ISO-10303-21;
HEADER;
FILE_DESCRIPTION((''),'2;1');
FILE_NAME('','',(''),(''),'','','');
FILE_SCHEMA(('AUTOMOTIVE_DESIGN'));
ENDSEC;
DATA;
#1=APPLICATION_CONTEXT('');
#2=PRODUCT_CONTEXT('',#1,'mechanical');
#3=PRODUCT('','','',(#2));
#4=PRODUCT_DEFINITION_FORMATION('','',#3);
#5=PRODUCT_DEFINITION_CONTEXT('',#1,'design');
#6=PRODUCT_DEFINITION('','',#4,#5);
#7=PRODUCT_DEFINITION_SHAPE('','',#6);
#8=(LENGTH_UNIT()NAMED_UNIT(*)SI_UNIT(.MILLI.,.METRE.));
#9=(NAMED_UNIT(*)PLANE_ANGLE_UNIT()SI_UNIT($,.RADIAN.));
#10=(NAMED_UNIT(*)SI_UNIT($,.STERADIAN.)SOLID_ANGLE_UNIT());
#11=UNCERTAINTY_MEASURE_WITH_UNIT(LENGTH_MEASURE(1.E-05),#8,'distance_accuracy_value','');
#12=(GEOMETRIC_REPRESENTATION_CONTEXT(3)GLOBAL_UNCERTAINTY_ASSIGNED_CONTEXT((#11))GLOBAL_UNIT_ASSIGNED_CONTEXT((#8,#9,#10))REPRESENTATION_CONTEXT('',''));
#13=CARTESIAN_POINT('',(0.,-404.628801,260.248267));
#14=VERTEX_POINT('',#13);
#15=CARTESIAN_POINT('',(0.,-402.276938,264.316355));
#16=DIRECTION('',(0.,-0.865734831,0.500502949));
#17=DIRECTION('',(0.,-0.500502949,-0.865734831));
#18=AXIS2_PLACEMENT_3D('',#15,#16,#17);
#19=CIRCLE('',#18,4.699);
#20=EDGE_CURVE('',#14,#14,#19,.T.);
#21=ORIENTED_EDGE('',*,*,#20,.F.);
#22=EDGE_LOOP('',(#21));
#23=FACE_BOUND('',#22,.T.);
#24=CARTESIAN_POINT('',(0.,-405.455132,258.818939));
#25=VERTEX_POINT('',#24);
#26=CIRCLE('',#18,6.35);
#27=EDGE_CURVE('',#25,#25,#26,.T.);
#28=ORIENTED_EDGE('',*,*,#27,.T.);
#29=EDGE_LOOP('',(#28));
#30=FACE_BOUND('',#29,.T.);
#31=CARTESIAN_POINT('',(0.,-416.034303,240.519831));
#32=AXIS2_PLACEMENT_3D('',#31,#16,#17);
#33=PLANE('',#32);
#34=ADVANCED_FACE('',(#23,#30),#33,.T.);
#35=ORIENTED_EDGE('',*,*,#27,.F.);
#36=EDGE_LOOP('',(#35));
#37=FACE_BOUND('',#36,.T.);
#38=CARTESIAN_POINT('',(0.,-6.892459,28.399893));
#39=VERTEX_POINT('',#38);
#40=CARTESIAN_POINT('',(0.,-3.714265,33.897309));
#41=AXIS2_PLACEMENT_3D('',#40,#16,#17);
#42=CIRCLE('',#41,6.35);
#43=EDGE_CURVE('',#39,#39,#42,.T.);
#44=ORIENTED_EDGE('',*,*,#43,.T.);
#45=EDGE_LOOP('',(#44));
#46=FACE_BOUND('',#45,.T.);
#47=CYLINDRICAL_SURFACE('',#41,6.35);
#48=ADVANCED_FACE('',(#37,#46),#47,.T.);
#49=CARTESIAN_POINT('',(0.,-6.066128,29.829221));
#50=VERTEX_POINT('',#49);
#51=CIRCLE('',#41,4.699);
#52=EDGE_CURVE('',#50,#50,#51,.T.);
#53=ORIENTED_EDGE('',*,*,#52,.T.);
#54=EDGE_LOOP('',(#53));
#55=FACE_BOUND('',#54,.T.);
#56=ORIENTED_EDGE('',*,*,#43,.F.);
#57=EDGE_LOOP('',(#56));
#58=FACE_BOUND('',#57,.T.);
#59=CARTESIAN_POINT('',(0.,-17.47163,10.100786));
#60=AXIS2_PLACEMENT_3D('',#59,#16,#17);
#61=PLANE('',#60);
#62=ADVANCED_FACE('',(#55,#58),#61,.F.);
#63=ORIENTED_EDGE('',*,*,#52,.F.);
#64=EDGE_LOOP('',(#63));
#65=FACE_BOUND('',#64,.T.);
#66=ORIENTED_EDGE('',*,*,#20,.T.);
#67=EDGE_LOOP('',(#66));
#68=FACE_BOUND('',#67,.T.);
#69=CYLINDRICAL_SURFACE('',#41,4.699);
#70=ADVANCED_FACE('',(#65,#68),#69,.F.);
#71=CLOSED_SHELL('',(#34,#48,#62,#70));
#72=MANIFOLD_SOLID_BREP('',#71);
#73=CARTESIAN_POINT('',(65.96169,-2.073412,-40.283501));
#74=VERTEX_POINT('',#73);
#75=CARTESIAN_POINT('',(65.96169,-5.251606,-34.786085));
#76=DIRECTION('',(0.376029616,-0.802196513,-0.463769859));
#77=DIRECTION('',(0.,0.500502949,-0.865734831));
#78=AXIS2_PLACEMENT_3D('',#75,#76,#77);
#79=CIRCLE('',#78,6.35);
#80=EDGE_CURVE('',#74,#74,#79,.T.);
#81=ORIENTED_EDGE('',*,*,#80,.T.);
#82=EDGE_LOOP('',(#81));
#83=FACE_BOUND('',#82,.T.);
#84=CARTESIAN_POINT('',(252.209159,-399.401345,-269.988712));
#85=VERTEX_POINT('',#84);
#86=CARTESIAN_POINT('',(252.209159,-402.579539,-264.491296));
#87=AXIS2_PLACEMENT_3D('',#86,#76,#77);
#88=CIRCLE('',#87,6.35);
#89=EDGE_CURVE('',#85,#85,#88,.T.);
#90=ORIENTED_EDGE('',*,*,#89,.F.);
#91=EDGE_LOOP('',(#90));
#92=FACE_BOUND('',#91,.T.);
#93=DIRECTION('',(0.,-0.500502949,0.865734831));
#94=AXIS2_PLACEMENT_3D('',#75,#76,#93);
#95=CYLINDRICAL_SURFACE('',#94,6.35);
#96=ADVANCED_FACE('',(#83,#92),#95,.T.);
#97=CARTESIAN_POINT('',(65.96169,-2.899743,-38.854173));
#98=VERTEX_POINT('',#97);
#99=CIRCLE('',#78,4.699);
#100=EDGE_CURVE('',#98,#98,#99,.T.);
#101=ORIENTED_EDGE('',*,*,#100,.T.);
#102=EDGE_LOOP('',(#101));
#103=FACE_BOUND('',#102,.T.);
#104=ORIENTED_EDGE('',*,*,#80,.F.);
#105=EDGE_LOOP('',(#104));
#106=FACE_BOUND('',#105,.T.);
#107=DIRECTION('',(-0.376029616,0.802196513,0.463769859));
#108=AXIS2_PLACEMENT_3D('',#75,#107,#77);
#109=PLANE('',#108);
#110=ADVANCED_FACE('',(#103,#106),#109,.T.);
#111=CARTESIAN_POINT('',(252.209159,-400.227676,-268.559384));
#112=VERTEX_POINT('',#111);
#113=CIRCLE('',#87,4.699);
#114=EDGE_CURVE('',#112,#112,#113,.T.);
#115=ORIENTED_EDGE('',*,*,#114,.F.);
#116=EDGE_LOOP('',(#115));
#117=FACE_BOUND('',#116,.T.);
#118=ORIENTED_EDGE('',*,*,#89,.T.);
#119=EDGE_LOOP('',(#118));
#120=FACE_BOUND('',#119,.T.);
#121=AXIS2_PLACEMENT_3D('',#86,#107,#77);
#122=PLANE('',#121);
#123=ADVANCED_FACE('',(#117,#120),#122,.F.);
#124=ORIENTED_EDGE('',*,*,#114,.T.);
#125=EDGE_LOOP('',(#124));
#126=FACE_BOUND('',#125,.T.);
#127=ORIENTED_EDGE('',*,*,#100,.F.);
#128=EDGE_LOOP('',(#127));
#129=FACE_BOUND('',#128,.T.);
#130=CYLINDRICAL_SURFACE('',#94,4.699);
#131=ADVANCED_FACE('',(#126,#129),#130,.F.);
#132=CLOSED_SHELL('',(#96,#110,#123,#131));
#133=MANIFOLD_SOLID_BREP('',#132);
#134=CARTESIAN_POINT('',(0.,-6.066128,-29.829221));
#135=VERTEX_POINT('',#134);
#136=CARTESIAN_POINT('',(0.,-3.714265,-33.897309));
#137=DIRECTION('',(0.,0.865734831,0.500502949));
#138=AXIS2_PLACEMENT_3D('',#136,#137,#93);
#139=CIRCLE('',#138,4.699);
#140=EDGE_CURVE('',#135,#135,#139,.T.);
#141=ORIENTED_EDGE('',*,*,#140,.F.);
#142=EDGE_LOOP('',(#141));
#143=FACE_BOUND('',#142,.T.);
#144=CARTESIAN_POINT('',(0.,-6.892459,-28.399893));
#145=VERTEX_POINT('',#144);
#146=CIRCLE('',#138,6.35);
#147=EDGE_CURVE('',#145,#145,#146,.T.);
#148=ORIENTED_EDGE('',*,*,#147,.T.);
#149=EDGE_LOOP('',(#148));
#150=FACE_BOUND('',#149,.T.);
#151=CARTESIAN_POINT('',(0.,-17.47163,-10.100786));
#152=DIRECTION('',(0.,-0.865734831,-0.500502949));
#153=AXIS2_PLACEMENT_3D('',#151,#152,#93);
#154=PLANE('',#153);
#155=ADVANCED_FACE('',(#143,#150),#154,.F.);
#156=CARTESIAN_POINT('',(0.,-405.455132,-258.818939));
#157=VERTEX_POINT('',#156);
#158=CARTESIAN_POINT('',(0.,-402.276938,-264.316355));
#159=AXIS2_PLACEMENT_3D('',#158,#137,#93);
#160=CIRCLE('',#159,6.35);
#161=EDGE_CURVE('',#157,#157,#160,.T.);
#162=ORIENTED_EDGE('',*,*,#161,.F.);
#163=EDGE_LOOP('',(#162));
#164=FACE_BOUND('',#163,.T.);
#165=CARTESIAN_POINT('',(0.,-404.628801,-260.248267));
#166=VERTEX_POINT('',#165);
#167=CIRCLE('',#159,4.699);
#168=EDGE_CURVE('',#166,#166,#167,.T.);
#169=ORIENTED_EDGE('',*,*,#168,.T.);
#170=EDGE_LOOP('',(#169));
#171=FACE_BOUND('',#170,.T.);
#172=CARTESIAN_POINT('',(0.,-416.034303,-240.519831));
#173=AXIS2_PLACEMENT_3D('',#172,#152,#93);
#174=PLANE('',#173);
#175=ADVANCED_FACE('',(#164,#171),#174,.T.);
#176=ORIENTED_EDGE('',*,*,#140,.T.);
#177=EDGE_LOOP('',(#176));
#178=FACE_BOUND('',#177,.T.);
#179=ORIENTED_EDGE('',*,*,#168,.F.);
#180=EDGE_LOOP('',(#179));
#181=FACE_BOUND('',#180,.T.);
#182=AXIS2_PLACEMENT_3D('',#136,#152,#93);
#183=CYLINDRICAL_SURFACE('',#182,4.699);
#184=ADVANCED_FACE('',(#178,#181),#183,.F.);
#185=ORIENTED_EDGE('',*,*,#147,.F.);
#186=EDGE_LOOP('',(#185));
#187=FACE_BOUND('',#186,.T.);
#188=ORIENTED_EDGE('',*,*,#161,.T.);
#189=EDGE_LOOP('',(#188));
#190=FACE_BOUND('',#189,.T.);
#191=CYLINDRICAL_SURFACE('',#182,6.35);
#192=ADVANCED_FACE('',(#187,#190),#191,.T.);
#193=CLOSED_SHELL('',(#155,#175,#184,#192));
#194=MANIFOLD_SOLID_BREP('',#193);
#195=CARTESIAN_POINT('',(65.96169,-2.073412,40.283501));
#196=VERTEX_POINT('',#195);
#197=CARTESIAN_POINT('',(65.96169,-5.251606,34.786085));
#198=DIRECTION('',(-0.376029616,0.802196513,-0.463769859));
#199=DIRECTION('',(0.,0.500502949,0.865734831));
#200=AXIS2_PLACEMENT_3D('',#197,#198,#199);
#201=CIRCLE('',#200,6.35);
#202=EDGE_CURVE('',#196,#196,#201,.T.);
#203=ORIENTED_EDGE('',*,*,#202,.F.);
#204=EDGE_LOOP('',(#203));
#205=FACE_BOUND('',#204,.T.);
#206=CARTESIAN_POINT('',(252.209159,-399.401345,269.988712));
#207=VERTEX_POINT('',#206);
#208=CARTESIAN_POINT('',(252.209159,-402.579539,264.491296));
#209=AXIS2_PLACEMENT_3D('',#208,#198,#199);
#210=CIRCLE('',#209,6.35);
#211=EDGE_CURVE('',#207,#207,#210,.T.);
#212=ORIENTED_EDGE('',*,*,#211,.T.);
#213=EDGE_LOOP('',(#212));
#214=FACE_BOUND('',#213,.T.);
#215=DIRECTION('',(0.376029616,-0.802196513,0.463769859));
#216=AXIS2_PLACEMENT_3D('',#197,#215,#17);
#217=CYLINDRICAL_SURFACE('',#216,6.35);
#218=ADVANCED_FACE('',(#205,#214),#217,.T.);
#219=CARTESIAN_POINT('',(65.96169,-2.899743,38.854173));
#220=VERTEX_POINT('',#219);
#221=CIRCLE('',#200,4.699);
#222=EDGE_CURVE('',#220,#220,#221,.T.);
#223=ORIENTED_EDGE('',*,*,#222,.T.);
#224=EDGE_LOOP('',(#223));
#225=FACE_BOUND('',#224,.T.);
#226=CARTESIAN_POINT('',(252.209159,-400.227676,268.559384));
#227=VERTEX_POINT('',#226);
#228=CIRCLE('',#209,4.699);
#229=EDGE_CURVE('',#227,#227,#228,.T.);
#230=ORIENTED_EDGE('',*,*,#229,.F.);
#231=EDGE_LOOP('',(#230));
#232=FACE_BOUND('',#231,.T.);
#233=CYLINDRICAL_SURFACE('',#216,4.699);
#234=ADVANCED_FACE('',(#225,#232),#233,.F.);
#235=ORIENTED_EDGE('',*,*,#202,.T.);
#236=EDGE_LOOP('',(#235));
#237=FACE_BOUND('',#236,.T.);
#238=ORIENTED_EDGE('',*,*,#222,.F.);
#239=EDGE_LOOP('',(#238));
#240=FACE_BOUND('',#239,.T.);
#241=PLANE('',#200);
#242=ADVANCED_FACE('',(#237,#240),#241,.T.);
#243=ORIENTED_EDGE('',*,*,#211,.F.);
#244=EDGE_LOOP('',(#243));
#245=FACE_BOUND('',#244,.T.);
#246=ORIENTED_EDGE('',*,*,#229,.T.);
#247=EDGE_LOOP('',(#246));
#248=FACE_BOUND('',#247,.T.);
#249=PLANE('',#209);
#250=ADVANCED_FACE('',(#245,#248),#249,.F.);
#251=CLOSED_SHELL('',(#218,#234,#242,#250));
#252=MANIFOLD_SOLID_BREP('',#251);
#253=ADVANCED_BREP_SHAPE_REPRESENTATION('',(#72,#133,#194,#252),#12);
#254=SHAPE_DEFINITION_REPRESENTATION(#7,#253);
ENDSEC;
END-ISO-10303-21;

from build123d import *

# Parameters (mm, degrees)
BOSS_EXTRUDE1_START = -4.7625
SKETCH4_R           = 6.35
SKETCH4_R_2         = 4.699
BOSS_EXTRUDE1_DEPTH = 460.375
BOSS_EXTRUDE2_START = 4.7625
SKETCH5_R           = 6.35
SKETCH5_R_2         = 4.699
BOSS_EXTRUDE2_DEPTH = 495.3


with BuildPart() as part:
    # Sketch4 → Boss-Extrude1 (new body)
    with BuildSketch(Plane(origin=(0, -406.4, 266.7), x_dir=(-1, 0, 0), z_dir=(0, -0.865734831, 0.500502949)).offset(BOSS_EXTRUDE1_START)):
        Circle(SKETCH4_R)
        Circle(SKETCH4_R_2, mode=Mode.SUBTRACT)
    extrude(amount=-BOSS_EXTRUDE1_DEPTH)


with BuildPart() as body_2:
    # Sketch5 → Boss-Extrude2 (new body)
    with BuildSketch(Plane(origin=(254, -406.4, 266.7), x_dir=(0.926607645, 0.325541936, -0.188203932), z_dir=(-0.376029616, 0.802196513, -0.463769859)).offset(BOSS_EXTRUDE2_START)):
        Circle(SKETCH5_R)
        Circle(SKETCH5_R_2, mode=Mode.SUBTRACT)
    extrude(amount=BOSS_EXTRUDE2_DEPTH)


with BuildPart() as body_3:
    # Mirror1: mirrored copy
    add(part.part.mirror(Plane.XY))


with BuildPart() as body_4:
    # Mirror1 2: mirrored copy
    add(body_2.part.mirror(Plane.XY))


solid = Compound([part.part, body_2.part, body_3.part, body_4.part])
